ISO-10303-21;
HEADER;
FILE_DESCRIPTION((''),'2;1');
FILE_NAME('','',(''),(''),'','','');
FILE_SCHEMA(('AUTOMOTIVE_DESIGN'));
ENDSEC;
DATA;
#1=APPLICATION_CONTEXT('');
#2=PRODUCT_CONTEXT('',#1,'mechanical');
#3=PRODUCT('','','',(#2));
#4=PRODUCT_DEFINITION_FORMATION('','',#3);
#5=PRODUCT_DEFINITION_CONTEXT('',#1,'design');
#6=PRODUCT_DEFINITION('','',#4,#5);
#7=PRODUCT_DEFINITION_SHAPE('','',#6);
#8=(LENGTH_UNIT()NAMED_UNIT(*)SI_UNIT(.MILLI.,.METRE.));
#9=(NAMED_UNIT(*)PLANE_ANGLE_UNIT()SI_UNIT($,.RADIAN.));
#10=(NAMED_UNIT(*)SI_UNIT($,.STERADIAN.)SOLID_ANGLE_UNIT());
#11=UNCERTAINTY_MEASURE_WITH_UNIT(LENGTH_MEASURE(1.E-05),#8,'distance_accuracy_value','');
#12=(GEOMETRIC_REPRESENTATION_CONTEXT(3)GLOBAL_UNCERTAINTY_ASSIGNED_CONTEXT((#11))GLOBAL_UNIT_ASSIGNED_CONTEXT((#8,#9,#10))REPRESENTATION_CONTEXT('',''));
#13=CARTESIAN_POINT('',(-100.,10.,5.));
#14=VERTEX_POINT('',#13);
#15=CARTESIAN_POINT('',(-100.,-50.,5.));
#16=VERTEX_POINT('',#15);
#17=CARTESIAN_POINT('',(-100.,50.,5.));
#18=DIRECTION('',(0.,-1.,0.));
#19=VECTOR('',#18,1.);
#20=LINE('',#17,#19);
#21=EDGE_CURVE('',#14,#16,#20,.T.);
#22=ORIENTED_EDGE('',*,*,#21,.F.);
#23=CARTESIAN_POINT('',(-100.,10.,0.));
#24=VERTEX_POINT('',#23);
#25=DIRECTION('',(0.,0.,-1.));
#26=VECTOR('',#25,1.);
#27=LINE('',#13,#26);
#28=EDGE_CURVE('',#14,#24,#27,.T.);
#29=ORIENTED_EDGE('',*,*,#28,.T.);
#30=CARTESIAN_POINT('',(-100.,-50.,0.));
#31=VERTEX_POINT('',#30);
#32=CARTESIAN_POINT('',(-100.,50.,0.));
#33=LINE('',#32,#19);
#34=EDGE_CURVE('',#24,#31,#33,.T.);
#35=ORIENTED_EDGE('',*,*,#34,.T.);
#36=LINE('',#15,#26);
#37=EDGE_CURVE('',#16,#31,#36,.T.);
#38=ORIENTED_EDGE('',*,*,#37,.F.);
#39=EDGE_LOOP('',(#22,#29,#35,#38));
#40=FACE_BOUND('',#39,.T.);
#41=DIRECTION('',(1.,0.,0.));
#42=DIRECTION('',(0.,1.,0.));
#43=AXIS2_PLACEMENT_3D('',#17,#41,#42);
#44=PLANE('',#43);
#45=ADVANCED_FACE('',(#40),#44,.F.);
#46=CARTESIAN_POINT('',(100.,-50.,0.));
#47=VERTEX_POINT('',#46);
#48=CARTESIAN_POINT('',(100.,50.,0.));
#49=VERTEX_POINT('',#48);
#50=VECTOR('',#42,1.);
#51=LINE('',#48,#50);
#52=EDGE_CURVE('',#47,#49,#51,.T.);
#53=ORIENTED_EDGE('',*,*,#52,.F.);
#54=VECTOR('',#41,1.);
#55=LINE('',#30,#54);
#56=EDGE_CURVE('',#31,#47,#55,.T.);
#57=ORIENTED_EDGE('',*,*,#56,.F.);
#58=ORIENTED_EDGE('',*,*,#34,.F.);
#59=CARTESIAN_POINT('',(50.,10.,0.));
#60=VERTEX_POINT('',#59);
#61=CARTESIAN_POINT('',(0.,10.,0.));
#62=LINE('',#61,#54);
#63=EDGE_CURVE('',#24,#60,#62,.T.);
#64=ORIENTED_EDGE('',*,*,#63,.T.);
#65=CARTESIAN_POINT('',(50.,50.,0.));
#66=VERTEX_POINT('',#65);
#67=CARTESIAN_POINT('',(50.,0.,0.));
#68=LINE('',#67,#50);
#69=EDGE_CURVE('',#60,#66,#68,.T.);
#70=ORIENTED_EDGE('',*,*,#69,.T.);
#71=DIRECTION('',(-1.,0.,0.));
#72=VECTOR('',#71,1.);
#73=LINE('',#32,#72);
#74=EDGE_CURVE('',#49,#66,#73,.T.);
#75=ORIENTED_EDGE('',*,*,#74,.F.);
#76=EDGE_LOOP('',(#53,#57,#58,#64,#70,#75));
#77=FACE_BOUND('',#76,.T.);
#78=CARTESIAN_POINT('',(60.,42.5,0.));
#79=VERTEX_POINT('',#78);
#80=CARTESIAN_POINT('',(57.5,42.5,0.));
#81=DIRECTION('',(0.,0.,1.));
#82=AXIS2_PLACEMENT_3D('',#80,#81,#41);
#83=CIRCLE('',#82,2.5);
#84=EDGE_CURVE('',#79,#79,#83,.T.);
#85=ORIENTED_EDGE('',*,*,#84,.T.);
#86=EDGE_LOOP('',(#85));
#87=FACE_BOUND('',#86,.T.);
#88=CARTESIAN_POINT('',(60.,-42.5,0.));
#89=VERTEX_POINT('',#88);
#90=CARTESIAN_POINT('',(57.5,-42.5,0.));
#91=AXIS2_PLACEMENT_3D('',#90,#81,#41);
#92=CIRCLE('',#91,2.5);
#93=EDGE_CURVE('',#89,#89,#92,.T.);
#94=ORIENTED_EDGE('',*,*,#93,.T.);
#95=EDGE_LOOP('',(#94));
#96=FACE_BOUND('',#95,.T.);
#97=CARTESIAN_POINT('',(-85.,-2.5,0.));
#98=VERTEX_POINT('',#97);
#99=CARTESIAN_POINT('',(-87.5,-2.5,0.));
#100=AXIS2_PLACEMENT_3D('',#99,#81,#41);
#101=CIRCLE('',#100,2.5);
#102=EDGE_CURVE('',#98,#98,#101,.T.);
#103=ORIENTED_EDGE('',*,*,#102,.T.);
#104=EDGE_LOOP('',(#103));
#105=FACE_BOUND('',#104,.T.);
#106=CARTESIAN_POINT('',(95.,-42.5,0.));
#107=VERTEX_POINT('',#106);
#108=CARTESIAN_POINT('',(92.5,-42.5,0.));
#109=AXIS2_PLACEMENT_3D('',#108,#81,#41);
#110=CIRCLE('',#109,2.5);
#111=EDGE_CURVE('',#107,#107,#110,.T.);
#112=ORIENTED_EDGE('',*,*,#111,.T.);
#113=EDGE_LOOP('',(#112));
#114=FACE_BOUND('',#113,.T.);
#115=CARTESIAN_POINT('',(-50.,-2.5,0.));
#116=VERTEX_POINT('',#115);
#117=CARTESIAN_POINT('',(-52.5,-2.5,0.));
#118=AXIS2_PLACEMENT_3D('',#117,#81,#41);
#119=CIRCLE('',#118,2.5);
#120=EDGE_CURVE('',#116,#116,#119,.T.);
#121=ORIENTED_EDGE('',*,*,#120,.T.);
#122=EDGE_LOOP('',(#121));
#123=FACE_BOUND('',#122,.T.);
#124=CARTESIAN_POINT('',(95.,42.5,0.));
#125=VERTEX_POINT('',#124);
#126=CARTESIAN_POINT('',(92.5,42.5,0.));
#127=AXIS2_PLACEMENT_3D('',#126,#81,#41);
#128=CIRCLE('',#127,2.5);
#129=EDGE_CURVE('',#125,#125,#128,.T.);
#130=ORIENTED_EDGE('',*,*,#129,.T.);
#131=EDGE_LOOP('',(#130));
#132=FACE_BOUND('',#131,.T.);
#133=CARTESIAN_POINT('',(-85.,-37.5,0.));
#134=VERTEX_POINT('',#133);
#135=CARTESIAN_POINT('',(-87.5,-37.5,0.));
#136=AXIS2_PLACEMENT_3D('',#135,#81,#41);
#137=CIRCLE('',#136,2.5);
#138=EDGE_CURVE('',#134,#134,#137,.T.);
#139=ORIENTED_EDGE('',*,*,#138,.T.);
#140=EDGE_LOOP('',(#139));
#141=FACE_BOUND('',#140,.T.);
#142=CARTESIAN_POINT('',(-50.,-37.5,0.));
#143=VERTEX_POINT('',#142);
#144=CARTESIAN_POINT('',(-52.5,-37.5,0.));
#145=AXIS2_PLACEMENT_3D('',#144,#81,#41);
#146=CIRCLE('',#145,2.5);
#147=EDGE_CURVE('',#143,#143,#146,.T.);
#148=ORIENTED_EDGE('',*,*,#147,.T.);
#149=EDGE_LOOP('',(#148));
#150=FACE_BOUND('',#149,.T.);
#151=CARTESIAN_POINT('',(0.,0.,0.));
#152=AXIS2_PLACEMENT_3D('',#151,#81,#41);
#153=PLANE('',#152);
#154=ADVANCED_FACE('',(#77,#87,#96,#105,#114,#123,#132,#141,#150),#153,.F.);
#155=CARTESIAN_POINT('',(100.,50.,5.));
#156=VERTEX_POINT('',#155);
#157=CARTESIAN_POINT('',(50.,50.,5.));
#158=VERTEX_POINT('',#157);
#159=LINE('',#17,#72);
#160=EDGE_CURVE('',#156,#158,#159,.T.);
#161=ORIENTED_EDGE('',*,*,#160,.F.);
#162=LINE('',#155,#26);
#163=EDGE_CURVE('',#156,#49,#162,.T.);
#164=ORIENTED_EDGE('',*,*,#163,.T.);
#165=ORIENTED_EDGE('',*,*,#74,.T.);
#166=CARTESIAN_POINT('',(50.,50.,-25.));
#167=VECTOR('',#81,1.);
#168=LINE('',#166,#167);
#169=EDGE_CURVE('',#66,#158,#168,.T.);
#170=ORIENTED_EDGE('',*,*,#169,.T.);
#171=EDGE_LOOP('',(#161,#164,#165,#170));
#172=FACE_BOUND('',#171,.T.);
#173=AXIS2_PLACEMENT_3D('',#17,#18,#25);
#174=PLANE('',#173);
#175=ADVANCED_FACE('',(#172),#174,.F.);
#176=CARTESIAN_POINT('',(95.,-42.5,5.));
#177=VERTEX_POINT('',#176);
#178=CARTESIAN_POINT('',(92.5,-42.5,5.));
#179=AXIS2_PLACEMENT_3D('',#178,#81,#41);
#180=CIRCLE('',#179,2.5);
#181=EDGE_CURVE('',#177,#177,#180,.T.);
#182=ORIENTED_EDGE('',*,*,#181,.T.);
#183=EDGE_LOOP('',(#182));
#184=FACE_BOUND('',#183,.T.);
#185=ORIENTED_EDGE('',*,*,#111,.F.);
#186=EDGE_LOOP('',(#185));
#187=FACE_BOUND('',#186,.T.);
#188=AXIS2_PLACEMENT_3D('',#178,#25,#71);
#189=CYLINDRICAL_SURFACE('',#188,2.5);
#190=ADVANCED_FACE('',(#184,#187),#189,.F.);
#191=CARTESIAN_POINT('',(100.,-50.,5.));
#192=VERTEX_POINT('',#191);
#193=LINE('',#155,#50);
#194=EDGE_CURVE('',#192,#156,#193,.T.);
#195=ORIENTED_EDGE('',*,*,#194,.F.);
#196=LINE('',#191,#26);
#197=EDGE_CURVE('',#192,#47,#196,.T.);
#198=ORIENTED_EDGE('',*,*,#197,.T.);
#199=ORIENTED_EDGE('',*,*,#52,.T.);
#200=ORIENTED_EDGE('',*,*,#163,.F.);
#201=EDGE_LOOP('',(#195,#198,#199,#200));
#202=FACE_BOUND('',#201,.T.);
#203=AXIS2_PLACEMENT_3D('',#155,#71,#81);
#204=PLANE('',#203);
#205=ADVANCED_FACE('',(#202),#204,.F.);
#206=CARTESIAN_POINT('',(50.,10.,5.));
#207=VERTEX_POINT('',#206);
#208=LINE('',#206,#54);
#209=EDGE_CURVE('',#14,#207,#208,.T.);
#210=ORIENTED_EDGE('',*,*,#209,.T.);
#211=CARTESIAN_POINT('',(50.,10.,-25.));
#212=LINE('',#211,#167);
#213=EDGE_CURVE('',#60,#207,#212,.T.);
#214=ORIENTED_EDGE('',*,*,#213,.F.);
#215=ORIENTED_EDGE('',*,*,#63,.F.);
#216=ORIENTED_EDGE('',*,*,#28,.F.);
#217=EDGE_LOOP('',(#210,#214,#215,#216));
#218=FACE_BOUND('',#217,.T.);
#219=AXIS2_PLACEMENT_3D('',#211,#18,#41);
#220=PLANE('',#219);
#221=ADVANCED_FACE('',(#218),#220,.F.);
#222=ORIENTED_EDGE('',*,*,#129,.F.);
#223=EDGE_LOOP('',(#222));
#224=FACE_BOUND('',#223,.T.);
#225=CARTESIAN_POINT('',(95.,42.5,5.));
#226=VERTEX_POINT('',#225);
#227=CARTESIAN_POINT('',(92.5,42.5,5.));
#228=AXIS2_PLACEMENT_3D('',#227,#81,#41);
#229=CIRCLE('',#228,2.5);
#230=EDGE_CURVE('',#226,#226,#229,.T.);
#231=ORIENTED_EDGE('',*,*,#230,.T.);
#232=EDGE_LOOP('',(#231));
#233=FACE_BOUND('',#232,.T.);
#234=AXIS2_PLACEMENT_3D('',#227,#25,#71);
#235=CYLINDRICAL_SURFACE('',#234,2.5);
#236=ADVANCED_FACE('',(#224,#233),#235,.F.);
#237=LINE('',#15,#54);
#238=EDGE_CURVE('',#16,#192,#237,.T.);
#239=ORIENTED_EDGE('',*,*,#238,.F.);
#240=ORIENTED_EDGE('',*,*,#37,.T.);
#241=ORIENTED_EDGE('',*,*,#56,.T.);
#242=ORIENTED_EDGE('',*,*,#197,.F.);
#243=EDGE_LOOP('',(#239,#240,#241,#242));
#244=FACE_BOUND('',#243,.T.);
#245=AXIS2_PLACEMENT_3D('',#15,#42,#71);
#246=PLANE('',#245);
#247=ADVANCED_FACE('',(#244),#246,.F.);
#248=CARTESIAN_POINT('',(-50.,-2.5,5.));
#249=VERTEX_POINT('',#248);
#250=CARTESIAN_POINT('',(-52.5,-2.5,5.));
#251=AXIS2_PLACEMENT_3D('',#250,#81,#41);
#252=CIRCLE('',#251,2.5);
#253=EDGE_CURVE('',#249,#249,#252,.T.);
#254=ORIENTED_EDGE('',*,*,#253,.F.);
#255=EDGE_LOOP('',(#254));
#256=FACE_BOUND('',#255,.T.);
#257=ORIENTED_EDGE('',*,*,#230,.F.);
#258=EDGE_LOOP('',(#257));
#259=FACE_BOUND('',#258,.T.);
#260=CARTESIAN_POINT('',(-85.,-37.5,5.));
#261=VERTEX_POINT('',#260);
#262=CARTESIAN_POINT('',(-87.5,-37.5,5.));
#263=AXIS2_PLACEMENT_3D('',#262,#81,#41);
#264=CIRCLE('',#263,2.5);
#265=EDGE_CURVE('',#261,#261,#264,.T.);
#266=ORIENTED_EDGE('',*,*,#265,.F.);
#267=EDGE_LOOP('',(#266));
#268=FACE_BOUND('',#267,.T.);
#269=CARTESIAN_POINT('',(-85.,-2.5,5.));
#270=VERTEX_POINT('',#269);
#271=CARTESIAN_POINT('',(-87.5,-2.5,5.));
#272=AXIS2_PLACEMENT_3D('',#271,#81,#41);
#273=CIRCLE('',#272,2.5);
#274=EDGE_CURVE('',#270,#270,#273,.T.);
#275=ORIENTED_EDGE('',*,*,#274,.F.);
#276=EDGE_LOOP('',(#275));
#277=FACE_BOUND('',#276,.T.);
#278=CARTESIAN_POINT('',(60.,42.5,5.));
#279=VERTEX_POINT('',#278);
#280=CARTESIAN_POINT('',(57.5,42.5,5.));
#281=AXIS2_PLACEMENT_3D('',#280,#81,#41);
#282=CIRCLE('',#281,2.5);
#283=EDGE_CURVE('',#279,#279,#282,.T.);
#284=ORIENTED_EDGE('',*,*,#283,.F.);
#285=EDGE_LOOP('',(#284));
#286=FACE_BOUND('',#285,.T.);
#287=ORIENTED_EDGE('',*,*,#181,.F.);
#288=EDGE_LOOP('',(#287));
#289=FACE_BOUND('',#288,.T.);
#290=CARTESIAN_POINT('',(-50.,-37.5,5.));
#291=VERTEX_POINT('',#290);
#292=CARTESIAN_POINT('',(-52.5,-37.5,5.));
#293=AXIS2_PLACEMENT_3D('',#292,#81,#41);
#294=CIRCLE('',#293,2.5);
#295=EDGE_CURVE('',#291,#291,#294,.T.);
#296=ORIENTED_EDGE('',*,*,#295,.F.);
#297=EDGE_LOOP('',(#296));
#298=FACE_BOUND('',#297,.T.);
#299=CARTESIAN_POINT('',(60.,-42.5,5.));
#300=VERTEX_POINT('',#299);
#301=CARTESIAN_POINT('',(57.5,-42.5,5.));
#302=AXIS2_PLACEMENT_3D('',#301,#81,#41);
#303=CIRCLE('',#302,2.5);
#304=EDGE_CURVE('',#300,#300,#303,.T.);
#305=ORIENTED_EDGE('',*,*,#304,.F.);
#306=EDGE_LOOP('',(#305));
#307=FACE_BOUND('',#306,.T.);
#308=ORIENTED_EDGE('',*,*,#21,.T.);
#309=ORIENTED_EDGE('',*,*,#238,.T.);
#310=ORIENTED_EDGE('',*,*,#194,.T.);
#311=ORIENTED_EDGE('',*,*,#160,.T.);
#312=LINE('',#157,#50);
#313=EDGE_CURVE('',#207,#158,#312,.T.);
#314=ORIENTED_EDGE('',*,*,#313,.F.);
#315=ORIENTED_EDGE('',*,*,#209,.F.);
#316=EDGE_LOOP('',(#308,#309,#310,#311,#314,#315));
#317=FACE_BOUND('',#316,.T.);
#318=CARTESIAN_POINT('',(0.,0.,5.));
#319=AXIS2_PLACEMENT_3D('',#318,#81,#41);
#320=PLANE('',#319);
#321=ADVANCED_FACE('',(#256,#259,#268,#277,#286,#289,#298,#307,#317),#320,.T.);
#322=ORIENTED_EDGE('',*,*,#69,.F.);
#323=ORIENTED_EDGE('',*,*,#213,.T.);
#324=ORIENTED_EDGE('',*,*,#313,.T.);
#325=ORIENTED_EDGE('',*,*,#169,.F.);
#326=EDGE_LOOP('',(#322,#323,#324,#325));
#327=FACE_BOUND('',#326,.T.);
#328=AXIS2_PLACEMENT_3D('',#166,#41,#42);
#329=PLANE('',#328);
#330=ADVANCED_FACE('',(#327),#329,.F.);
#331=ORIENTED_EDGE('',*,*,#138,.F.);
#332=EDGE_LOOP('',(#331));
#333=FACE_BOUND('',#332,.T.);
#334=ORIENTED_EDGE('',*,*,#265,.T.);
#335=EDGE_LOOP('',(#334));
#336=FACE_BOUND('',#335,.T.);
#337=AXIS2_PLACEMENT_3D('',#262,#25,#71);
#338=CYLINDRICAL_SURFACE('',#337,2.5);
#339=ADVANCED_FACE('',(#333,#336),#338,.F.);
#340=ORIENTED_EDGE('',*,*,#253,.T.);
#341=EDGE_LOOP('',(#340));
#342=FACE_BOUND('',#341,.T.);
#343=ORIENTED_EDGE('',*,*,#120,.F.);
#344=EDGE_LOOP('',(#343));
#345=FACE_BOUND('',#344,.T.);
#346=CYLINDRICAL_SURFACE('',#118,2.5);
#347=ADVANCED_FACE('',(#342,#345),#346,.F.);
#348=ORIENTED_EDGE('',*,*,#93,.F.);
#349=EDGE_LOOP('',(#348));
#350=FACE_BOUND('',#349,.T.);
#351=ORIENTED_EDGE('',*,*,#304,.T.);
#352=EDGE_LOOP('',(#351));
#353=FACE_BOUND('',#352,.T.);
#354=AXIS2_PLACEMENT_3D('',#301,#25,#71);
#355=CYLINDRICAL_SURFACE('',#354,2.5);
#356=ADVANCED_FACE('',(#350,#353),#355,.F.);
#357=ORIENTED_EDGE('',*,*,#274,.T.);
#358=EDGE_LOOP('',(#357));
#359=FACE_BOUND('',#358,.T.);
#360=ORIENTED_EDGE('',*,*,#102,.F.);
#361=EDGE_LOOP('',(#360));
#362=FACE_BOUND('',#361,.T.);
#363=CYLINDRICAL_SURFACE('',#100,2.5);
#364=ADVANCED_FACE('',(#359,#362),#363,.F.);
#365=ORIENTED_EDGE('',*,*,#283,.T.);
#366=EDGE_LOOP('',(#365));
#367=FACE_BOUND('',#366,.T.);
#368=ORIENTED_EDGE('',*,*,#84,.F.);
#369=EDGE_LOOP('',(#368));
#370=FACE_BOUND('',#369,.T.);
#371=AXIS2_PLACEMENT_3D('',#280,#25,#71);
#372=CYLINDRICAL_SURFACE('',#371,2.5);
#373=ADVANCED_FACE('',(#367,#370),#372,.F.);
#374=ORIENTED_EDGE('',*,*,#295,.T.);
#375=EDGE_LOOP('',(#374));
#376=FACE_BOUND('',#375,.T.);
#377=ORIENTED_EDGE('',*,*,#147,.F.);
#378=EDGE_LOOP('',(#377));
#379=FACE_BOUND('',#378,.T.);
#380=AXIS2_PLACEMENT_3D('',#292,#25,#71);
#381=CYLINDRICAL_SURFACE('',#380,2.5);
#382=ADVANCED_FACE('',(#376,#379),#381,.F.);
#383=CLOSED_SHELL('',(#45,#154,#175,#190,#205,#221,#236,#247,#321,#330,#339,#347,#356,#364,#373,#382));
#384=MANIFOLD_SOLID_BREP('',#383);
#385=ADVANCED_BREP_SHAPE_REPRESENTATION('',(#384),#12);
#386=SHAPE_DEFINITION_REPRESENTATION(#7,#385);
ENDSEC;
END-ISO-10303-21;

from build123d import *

# Parameters (mm, degrees)
SKETCH1_W           = 200
SKETCH1_H           = 100
SKETCH1_R           = 2.5
BOSS_EXTRUDE1_DEPTH = 5
SKETCH2_R           = 2.5
CUT_EXTRUDE1_DEPTH  = 5
SKETCH4_W           = 150
SKETCH4_H           = 40
CUT_EXTRUDE3_DEPTH  = 30


with BuildPart() as part:
    # Sketch1 → Boss-Extrude1 (new body)
    with BuildSketch(Plane.XY):
        Rectangle(SKETCH1_W, SKETCH1_H)
        with Locations((-92.5, 42.5)):
            Circle(SKETCH1_R, mode=Mode.SUBTRACT)
        with Locations((-57.5, 42.5)):
            Circle(SKETCH1_R, mode=Mode.SUBTRACT)
        with Locations((57.5, -42.5)):
            Circle(SKETCH1_R, mode=Mode.SUBTRACT)
        with Locations((92.5, -42.5)):
            Circle(SKETCH1_R, mode=Mode.SUBTRACT)
        with Locations((57.5, 42.5)):
            Circle(SKETCH1_R, mode=Mode.SUBTRACT)
        with Locations((92.5, 42.5)):
            Circle(SKETCH1_R, mode=Mode.SUBTRACT)
        with Locations((-87.5, -37.5)):
            Circle(SKETCH1_R, mode=Mode.SUBTRACT)
        with Locations((-52.5, -37.5)):
            Circle(SKETCH1_R, mode=Mode.SUBTRACT)
    extrude(amount=BOSS_EXTRUDE1_DEPTH)

    # Sketch2 → Cut-Extrude1 (cut)
    with BuildSketch(Plane.XY.offset(5)):
        with Locations((-87.5, -2.5)):
            Circle(SKETCH2_R)
        with Locations((-52.5, -2.5)):
            Circle(SKETCH2_R)
        with Locations((-87.5, -37.5)):
            Circle(SKETCH2_R)
        with Locations((-52.5, -37.5)):
            Circle(SKETCH2_R)
    extrude(amount=-CUT_EXTRUDE1_DEPTH, mode=Mode.SUBTRACT)

    # Sketch4 → Cut-Extrude3 (cut)
    with BuildSketch(Plane.XY.offset(5)):
        with Locations((-25, 30)):
            Rectangle(SKETCH4_W, SKETCH4_H)
    extrude(amount=-CUT_EXTRUDE3_DEPTH, mode=Mode.SUBTRACT)


solid = part.part
